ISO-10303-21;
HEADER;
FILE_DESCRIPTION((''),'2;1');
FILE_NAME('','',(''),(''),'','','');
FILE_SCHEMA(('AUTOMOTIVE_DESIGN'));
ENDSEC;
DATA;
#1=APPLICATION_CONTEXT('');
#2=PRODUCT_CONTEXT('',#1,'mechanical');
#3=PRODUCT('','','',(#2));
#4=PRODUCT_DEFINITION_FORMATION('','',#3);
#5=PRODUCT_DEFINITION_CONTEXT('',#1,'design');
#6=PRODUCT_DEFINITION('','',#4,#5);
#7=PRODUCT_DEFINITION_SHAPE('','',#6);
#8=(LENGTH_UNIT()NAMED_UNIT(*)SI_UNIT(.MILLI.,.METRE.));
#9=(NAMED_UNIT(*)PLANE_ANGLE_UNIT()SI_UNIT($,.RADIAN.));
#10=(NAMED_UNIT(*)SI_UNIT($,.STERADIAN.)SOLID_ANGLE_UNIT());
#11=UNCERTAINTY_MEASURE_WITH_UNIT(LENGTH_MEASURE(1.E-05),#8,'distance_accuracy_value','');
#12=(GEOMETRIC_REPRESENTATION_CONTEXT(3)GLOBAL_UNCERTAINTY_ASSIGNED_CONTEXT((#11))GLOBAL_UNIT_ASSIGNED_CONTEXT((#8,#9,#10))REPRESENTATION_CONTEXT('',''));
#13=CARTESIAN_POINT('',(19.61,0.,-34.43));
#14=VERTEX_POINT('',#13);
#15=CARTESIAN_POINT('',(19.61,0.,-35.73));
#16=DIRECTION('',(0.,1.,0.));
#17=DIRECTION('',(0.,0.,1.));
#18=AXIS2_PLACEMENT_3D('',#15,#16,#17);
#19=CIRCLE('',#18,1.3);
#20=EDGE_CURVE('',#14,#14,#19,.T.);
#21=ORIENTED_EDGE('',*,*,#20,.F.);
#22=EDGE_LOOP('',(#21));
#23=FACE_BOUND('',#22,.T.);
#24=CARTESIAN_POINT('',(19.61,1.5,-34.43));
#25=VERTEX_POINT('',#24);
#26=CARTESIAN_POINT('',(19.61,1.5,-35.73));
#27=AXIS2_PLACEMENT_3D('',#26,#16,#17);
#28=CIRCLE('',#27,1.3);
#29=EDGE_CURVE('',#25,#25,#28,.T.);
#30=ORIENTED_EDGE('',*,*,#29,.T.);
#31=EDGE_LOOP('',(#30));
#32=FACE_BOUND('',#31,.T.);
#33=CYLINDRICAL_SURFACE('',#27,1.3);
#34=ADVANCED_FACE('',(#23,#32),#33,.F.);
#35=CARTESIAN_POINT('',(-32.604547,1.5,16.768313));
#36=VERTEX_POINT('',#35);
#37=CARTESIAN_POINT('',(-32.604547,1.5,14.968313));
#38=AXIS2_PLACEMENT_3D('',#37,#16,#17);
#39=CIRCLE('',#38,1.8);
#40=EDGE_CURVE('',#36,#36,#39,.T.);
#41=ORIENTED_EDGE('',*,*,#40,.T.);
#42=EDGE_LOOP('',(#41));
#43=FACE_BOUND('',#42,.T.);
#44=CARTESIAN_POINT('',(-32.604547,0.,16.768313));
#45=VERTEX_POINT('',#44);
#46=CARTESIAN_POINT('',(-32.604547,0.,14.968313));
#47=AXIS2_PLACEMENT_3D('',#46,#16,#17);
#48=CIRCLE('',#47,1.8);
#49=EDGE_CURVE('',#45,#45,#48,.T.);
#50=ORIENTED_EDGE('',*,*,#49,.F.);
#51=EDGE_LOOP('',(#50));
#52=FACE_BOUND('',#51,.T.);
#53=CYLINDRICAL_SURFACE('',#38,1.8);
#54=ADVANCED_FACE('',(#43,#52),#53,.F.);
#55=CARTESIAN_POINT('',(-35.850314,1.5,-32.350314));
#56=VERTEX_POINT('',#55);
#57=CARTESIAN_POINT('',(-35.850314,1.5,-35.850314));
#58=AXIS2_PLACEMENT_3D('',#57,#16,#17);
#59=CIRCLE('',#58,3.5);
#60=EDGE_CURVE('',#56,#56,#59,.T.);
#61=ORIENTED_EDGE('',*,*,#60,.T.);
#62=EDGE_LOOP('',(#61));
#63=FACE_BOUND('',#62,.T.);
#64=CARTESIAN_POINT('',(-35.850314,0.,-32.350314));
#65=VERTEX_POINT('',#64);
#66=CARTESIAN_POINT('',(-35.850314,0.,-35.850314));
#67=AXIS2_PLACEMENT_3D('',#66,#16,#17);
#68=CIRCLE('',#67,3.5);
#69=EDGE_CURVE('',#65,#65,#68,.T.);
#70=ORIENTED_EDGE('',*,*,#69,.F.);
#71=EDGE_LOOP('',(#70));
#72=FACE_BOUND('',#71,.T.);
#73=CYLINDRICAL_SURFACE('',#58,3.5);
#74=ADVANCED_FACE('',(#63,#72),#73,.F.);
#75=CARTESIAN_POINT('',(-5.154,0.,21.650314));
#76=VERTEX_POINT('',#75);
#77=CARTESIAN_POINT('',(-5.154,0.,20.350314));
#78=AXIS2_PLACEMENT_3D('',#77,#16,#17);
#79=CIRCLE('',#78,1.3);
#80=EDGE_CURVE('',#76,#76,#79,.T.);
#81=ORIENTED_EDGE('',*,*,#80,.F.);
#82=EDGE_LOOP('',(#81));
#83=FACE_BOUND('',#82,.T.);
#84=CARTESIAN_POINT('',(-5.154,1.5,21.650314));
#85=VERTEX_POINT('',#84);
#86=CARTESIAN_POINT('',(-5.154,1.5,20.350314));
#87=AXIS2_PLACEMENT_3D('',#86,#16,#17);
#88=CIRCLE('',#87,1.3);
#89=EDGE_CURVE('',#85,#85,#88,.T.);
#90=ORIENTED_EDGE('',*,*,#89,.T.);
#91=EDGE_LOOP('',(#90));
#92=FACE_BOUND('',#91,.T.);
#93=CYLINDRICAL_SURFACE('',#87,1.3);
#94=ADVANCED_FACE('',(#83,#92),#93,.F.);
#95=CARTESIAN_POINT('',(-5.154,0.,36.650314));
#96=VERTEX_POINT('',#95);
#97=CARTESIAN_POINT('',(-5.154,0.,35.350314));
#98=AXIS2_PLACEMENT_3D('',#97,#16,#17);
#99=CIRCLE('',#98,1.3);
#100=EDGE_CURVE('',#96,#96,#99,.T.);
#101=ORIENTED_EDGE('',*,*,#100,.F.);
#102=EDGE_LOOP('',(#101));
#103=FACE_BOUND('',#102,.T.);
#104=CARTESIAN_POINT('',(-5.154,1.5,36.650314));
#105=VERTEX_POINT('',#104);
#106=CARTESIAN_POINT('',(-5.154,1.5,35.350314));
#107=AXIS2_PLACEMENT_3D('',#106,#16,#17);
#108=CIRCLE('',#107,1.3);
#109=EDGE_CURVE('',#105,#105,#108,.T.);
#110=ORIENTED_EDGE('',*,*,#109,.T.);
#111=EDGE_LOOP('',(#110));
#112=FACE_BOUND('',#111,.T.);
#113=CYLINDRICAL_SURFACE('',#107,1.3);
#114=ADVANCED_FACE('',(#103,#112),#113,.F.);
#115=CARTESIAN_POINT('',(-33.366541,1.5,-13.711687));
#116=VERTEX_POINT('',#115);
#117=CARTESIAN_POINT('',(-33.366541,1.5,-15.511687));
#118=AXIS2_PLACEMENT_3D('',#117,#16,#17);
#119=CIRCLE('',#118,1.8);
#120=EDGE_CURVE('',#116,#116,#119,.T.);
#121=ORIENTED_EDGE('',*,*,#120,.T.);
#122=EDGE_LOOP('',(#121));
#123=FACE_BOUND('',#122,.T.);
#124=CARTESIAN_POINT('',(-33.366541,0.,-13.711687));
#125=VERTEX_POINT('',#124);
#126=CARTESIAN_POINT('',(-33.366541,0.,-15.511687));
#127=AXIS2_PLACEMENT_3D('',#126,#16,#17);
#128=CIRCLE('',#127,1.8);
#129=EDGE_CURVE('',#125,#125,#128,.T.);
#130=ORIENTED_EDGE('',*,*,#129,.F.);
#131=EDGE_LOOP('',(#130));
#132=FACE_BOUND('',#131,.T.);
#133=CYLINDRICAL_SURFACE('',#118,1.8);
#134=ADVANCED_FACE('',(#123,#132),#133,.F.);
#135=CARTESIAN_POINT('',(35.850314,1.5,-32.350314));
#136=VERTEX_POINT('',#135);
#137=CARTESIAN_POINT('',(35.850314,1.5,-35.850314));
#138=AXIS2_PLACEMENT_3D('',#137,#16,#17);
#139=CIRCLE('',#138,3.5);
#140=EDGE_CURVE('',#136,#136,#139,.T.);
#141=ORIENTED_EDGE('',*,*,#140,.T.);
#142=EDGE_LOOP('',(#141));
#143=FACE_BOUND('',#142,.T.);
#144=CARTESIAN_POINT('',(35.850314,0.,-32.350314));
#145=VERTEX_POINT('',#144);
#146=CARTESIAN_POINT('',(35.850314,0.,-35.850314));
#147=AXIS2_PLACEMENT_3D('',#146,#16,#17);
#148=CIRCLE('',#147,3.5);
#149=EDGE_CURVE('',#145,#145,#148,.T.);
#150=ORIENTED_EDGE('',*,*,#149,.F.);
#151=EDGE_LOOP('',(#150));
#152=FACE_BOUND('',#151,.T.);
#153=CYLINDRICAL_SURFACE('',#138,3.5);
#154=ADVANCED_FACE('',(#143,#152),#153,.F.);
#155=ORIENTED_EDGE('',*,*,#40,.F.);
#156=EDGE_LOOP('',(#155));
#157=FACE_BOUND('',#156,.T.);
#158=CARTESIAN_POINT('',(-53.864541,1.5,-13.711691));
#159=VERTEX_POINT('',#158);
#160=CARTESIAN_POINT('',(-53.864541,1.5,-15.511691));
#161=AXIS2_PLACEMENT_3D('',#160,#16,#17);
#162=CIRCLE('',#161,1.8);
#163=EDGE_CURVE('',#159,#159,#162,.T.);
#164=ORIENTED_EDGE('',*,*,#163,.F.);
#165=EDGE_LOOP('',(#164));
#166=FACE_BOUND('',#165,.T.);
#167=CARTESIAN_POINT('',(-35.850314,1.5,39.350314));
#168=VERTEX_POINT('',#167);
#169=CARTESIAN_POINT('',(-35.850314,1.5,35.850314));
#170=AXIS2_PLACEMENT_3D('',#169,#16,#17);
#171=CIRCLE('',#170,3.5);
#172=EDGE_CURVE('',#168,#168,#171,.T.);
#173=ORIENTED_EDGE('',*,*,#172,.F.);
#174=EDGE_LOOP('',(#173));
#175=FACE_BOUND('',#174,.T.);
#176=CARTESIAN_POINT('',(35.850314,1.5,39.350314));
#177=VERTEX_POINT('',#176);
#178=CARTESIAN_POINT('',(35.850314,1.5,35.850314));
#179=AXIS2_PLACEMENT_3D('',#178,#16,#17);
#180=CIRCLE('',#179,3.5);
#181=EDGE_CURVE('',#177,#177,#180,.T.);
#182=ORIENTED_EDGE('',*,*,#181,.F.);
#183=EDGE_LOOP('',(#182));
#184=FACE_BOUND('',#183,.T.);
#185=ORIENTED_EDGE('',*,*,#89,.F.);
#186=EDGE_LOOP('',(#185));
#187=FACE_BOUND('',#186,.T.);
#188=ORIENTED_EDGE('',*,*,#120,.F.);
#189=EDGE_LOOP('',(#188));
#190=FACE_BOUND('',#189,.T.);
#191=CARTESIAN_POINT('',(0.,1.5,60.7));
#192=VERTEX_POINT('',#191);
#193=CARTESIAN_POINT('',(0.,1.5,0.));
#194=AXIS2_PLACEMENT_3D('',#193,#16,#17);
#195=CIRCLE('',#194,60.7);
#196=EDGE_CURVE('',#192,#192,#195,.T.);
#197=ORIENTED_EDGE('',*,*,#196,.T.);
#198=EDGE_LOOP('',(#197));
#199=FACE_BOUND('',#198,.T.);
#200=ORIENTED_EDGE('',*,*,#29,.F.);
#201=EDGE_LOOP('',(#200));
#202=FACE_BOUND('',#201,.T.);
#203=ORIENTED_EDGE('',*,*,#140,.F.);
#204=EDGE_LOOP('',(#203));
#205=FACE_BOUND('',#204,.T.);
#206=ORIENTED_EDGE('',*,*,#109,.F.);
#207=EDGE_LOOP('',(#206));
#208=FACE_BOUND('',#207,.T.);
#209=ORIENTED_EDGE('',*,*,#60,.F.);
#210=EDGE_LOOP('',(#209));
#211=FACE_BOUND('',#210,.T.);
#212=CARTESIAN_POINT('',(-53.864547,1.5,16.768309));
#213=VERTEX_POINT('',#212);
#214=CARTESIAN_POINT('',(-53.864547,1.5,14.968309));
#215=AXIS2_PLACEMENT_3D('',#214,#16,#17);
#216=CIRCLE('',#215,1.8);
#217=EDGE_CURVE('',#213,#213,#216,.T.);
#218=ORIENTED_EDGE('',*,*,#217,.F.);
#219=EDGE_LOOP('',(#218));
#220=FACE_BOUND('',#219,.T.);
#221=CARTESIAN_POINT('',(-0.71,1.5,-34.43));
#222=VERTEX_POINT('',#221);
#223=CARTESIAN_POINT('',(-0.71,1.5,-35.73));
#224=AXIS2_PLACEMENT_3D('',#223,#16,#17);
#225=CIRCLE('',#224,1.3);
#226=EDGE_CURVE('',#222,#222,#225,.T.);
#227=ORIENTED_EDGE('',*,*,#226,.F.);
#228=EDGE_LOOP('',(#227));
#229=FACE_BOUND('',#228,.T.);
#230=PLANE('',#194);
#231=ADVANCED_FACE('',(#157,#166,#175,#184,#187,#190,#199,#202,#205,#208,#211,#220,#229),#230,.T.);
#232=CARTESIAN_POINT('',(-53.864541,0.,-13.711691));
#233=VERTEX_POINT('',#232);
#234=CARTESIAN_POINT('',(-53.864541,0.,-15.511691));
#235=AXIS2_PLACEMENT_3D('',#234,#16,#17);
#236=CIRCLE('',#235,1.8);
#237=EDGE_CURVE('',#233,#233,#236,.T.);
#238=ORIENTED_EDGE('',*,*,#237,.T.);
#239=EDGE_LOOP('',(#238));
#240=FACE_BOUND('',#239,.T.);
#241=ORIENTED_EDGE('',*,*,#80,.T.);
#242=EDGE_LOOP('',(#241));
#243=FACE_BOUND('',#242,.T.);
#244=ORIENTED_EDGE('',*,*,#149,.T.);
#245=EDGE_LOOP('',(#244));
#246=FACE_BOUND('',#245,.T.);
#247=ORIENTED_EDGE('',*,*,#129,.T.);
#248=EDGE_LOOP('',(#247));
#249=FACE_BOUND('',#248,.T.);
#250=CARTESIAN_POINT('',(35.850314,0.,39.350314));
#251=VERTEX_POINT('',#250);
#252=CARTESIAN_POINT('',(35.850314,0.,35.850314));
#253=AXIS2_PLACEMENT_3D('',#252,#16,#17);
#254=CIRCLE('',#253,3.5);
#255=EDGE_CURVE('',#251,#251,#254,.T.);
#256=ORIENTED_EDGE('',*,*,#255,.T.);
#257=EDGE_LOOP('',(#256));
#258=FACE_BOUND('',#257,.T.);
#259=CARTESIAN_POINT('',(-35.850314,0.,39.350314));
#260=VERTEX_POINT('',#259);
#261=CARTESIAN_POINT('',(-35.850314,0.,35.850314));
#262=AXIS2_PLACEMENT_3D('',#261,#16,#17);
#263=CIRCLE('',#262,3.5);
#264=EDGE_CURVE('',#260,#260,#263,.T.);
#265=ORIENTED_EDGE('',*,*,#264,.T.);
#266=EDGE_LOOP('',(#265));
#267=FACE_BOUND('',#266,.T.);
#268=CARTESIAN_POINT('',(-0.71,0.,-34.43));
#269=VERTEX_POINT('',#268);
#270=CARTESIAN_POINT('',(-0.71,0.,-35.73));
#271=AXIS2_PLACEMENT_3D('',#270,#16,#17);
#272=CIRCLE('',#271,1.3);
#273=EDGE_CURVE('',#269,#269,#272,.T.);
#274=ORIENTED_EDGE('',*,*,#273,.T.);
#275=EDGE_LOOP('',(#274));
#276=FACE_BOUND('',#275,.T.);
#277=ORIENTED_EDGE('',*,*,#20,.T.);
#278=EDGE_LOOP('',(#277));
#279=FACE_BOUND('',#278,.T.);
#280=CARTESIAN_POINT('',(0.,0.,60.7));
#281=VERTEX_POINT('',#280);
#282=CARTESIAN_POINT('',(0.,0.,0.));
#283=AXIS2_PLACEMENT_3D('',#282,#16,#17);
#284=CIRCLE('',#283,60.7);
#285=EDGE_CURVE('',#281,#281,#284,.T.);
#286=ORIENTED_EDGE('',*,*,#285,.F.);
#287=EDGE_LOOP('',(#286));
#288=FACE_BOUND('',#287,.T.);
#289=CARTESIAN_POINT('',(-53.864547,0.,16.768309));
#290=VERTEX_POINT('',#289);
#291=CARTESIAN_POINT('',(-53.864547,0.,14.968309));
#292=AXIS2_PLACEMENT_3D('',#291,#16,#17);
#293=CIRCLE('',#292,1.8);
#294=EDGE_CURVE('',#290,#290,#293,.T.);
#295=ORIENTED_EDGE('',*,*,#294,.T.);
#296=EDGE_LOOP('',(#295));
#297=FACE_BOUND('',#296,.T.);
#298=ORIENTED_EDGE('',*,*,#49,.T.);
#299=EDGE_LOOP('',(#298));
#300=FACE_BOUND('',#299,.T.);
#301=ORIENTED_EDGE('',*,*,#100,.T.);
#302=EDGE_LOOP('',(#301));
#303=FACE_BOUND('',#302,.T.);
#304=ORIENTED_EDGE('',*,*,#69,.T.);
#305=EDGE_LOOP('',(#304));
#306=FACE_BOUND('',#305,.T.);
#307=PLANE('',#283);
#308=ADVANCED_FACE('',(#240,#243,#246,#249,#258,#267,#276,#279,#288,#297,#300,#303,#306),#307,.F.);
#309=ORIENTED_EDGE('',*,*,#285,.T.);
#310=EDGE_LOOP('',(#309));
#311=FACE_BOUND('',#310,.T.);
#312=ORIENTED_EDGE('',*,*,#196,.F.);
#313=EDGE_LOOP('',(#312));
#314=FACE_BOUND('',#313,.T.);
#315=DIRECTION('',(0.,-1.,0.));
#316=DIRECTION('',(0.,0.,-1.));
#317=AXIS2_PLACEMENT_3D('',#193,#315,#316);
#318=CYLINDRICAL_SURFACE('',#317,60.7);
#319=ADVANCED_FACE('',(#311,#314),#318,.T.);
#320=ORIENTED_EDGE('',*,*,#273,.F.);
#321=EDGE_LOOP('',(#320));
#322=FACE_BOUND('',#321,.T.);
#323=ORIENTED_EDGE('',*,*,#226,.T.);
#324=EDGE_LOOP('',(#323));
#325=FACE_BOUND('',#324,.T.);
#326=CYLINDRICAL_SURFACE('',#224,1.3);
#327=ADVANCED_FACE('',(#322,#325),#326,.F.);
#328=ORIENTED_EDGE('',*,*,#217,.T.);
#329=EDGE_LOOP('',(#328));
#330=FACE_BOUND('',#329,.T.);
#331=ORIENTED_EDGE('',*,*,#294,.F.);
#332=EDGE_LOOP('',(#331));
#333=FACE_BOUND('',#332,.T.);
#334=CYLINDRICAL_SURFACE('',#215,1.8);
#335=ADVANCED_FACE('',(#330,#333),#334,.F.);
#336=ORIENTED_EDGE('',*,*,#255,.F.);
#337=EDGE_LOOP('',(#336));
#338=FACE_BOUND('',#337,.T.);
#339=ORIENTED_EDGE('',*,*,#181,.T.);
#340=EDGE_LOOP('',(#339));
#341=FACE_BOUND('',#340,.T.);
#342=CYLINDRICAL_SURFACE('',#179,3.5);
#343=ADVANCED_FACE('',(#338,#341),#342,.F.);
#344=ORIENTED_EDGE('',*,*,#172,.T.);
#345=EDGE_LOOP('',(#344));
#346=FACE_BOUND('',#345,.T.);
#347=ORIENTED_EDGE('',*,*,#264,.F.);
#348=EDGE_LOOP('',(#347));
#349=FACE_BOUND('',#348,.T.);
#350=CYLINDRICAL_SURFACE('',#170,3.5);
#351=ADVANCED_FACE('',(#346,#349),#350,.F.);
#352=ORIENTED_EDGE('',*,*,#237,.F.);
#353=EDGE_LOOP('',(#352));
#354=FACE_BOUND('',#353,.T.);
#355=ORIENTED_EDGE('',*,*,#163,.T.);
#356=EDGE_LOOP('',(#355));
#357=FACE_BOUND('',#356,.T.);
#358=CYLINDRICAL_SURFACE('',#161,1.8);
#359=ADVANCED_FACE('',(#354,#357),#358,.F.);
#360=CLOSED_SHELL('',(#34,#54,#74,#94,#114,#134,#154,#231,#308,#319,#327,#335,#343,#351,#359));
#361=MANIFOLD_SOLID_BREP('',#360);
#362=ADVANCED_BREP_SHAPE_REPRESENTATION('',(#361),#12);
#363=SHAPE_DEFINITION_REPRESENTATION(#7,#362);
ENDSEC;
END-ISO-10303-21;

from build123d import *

# Parameters (mm, degrees)
SKETCH1_R            = 60.7
BOSS_EXTRUDE1_DEPTH  = 1.5
M6_CLEARANCE_HOLE1_D = 7
CIRPATTERN1_COUNT    = 4
M2_CLEARANCE_HOLE1_D = 2.6
M3_CLEARANCE_HOLE2_D = 3.6


with BuildPart() as part:
    # Sketch1 → Boss-Extrude1 (new body)
    with BuildSketch(Plane(origin=(0, 0, 0), x_dir=(1, 0, 0), z_dir=(0, 1, 0))):
        with Locations(Location((0, 0, 0), (0, 0, 270))):
            Circle(SKETCH1_R)
    extrude(amount=BOSS_EXTRUDE1_DEPTH)

    # M6 Clearance Hole1 (through all)
    with Locations(Plane(origin=(0, 1.5, 0), x_dir=(1, 0, 0), z_dir=(0, 1, 0))):
        with Locations((-35.850313806, -35.850313806)):
            m6_clearance_hole1 = Hole(M6_CLEARANCE_HOLE1_D / 2)

    # CirPattern1: M6 Clearance Hole1 ×4 about axis
    cirpattern1_axis = Axis((0, 0, 0), (0, 1, 0))
    for i in range(1, CIRPATTERN1_COUNT):
        add(m6_clearance_hole1.rotate(cirpattern1_axis, i * 360 / CIRPATTERN1_COUNT), mode=Mode.SUBTRACT)

    # M2 Clearance Hole1 (through all)
    with Locations(Plane(origin=(0, 1.5, 0), x_dir=(1, 0, 0), z_dir=(0, 1, 0))):
        with Locations((-0.709999951, 35.730000111), (19.610000128, 35.730000136), (-5.154, -20.350313806), (-5.154, -35.350313806)):
            Hole(M2_CLEARANCE_HOLE1_D / 2)

    # M3 Clearance Hole2 (through all)
    with Locations(Plane(origin=(0, 1.5, 0), x_dir=(1, 0, 0), z_dir=(0, 1, 0))):
        with Locations((-53.86454119, 15.511690642), (-53.864546519, -14.968309358), (-32.604546519, -14.968313075), (-33.36654119, 15.511687058)):
            Hole(M3_CLEARANCE_HOLE2_D / 2)


solid = part.part
